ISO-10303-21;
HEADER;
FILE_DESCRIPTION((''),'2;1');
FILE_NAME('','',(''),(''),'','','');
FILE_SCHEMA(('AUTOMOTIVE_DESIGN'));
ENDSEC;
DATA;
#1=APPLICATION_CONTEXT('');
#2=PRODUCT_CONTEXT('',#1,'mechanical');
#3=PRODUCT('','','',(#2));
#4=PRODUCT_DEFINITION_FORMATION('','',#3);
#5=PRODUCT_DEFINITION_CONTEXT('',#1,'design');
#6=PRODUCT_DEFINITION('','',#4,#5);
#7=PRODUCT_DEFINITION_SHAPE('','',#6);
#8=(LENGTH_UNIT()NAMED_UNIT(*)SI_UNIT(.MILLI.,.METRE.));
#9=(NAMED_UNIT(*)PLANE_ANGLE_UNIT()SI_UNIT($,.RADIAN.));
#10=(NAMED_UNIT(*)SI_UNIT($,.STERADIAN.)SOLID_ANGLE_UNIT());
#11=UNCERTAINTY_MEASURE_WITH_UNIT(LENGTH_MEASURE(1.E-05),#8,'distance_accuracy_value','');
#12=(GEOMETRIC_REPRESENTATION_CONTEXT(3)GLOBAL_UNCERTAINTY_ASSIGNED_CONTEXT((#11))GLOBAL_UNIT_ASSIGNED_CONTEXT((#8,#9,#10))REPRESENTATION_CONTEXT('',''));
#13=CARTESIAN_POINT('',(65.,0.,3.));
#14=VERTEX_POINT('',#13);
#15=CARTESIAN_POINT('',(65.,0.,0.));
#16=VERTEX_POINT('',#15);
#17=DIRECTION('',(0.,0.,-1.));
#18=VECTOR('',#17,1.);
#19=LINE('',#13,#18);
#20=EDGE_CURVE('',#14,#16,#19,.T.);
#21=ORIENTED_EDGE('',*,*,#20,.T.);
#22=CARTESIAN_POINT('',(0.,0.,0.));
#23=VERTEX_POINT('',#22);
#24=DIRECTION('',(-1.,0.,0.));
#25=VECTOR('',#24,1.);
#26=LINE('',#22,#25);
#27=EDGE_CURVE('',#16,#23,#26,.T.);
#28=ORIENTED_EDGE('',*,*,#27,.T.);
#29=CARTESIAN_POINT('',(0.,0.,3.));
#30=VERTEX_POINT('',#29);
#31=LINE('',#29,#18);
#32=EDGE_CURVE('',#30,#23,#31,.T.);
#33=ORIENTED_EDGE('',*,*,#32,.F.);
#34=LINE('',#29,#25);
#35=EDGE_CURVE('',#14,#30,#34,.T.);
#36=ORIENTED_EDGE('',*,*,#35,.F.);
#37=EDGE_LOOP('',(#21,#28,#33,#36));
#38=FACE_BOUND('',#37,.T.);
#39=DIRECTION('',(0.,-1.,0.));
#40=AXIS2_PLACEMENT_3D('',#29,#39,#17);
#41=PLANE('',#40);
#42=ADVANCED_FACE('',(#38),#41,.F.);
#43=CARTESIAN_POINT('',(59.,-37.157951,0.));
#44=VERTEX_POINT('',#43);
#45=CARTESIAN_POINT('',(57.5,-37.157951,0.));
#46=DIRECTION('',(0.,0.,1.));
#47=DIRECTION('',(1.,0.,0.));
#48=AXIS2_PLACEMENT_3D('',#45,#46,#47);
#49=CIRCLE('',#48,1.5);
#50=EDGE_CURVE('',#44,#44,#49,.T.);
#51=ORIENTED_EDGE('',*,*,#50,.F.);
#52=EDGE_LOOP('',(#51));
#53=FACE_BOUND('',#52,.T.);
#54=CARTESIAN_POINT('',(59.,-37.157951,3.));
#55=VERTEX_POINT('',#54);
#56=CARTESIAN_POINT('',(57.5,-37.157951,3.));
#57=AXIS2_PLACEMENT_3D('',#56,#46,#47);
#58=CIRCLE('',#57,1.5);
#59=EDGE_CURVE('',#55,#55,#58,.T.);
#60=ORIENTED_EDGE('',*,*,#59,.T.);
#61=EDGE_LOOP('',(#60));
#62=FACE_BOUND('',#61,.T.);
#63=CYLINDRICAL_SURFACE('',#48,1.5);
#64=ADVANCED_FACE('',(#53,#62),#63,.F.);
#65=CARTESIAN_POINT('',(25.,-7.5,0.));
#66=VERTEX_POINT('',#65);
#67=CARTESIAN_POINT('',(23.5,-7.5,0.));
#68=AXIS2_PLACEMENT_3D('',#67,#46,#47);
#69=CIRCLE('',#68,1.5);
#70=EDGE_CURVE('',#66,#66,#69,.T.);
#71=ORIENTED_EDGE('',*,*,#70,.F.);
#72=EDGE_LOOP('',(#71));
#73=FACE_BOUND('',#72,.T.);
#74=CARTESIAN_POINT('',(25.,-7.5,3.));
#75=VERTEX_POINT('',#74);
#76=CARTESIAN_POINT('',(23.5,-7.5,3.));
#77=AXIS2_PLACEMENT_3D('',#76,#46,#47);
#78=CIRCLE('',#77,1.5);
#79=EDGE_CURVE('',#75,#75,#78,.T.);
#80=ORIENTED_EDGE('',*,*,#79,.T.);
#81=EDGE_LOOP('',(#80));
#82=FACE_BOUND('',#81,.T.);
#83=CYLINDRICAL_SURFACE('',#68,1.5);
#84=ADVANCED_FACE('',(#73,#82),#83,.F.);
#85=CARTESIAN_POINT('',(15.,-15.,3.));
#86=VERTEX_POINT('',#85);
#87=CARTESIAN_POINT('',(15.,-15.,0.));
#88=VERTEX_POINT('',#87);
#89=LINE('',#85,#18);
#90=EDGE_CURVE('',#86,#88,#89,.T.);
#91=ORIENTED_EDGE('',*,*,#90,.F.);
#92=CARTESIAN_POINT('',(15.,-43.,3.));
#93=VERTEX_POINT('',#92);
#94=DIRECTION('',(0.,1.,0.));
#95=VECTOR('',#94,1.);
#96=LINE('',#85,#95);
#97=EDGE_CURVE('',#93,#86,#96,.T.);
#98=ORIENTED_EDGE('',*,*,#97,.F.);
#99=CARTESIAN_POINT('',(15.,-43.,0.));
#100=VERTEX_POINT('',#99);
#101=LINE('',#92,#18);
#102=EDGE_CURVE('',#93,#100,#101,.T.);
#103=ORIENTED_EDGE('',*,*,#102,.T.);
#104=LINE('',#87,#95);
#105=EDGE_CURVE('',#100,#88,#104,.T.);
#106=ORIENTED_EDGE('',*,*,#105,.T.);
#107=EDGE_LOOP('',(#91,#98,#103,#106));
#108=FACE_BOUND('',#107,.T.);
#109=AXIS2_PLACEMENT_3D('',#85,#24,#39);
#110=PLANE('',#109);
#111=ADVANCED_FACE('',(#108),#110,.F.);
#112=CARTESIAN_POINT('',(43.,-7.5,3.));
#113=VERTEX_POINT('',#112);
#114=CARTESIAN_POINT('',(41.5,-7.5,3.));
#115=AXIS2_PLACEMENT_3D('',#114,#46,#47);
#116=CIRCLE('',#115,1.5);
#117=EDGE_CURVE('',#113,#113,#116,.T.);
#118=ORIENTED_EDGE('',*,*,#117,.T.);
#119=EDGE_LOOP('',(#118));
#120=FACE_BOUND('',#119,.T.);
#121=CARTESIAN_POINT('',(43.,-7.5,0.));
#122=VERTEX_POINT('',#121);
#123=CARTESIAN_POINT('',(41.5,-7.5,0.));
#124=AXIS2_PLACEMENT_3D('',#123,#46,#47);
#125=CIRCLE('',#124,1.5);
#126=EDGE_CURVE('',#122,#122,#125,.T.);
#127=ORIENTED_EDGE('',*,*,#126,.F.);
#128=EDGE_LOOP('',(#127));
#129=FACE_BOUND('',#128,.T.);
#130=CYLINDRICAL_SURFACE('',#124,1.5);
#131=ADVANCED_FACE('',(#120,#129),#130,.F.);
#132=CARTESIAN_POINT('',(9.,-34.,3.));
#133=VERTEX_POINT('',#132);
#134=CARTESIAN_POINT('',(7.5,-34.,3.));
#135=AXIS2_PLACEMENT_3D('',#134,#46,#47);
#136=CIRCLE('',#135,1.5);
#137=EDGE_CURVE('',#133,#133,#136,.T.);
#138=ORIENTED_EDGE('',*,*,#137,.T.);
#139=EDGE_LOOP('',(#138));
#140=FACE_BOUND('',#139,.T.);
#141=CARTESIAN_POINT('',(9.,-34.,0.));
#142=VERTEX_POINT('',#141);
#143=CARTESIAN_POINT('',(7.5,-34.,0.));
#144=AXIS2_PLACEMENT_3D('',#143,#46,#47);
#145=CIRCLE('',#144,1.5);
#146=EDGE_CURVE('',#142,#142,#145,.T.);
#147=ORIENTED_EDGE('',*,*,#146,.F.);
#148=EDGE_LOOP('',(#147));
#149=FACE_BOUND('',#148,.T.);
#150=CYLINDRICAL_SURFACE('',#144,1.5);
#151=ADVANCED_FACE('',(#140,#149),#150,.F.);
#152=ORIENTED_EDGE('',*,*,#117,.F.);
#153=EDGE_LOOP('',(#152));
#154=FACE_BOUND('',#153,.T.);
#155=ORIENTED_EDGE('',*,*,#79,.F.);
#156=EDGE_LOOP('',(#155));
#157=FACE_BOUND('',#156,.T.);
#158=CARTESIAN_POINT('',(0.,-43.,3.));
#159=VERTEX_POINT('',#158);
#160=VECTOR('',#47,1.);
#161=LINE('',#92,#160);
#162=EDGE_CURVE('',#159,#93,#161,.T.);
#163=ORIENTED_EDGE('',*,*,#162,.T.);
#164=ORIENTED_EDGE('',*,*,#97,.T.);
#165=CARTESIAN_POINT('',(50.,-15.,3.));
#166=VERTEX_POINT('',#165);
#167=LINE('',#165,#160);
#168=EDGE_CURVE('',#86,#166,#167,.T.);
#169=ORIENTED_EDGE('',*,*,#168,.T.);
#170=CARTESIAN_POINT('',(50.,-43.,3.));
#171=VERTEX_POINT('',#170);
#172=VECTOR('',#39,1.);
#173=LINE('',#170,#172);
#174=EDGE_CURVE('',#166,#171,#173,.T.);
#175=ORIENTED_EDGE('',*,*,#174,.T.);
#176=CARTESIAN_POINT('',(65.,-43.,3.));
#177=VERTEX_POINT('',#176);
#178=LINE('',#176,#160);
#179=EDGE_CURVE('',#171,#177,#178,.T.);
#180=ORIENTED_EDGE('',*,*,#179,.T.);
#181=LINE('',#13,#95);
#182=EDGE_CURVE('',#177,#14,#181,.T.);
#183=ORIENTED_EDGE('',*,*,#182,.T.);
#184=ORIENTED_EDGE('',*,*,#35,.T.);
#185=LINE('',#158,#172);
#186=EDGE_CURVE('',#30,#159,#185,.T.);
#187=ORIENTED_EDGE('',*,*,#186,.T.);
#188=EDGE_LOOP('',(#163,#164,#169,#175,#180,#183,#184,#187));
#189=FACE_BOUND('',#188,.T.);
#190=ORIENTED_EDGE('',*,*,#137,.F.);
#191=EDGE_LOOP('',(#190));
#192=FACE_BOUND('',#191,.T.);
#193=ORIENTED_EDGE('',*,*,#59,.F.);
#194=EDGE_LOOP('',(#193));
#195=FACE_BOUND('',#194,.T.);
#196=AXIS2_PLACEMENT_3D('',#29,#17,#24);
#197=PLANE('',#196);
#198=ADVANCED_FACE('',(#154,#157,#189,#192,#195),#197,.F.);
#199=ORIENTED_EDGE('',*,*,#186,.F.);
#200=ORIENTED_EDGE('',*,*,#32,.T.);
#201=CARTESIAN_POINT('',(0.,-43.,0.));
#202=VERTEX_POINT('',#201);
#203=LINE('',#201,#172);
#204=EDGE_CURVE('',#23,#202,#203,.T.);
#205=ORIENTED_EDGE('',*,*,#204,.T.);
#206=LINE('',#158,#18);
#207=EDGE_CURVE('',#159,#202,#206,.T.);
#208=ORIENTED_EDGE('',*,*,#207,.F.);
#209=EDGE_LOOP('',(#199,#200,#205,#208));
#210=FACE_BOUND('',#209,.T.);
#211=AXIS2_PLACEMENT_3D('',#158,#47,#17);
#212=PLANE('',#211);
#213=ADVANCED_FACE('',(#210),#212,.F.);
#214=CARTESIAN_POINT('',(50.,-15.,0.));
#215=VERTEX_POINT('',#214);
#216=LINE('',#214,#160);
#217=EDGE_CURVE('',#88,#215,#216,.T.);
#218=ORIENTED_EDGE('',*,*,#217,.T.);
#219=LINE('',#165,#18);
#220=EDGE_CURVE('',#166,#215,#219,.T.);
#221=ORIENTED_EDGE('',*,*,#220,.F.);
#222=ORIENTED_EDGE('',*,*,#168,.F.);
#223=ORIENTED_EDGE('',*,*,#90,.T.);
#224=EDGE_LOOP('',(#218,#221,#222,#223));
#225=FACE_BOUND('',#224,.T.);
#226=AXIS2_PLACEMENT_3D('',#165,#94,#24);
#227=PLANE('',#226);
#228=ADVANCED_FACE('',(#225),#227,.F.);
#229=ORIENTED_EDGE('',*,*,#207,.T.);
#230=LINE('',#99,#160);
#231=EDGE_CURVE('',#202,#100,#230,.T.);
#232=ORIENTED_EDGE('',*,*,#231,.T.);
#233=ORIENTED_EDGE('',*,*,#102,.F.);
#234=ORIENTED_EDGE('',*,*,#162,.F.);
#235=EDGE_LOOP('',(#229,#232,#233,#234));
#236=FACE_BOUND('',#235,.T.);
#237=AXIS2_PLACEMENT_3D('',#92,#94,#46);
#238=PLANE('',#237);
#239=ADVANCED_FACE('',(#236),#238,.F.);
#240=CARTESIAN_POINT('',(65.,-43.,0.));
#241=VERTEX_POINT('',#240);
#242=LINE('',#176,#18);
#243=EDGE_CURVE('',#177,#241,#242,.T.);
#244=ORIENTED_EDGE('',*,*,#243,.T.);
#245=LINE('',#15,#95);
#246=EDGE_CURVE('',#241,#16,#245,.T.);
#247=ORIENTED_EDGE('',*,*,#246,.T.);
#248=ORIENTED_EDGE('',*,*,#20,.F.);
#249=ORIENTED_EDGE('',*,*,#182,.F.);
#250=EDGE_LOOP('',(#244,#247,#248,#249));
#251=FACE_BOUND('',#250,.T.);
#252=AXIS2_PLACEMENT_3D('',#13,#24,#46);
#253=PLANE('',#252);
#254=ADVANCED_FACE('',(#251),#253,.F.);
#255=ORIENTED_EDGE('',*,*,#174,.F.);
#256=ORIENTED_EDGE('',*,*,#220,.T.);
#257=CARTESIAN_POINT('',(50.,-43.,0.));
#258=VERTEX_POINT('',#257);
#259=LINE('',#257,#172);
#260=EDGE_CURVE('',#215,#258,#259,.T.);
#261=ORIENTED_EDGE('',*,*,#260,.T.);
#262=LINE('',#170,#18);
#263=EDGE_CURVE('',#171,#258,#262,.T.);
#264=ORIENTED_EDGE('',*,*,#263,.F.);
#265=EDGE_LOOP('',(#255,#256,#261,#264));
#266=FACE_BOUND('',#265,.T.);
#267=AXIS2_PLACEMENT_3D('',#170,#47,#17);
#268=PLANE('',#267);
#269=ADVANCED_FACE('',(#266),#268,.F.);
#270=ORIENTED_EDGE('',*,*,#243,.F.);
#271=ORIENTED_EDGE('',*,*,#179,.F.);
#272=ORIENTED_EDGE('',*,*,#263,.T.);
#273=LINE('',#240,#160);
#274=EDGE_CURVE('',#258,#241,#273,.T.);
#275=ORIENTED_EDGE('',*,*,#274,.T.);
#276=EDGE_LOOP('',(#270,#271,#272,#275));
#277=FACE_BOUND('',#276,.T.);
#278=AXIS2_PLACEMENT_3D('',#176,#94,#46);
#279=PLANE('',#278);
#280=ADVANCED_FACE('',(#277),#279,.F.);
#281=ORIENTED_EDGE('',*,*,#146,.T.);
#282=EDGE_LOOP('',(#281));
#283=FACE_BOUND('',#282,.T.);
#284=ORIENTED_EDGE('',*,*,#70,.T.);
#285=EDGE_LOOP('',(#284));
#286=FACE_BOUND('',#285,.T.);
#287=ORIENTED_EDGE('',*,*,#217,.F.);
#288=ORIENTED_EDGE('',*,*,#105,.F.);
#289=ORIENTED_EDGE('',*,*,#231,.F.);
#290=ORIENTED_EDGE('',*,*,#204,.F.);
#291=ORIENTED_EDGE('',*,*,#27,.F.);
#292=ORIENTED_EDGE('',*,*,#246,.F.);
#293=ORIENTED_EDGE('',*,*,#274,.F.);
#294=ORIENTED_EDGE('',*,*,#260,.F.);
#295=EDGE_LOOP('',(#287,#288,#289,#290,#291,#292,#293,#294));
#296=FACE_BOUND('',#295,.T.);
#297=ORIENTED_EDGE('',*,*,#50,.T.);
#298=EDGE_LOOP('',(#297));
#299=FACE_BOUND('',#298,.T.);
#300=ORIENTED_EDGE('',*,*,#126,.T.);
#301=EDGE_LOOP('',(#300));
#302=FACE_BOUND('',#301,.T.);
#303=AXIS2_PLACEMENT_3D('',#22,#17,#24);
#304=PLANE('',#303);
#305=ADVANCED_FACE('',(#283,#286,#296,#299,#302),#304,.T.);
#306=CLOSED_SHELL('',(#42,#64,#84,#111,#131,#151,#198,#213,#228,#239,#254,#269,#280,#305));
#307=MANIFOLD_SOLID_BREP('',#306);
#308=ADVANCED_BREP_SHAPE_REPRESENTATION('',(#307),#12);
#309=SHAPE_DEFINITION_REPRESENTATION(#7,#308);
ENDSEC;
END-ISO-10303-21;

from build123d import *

# Parameters (mm, degrees)
EXTRUDE_1_DEPTH     = 3
SKETCH_2_R          = 1.5
CUT_EXTRUDE_1_DEPTH = 3


with BuildPart() as part:
    # 草图1 → 凸台-拉伸1 (new body)
    with BuildSketch(Plane.XY):
        Polygon((0, 0), (65, 0), (65, -43), (50, -43), (50, -15), (15, -15), (15, -43), (0, -43), align=None)
    extrude(amount=EXTRUDE_1_DEPTH)

    # 草图2 → 切除-拉伸1 (cut)
    with BuildSketch(Plane.XY.offset(3)):
        with Locations((57.5, -37.157951196)):
            Circle(SKETCH_2_R)
        with Locations((7.5, -34)):
            Circle(SKETCH_2_R)
        with Locations((23.5, -7.5)):
            Circle(SKETCH_2_R)
        with Locations((41.5, -7.5)):
            Circle(SKETCH_2_R)
    extrude(amount=-CUT_EXTRUDE_1_DEPTH, mode=Mode.SUBTRACT)


solid = part.part
